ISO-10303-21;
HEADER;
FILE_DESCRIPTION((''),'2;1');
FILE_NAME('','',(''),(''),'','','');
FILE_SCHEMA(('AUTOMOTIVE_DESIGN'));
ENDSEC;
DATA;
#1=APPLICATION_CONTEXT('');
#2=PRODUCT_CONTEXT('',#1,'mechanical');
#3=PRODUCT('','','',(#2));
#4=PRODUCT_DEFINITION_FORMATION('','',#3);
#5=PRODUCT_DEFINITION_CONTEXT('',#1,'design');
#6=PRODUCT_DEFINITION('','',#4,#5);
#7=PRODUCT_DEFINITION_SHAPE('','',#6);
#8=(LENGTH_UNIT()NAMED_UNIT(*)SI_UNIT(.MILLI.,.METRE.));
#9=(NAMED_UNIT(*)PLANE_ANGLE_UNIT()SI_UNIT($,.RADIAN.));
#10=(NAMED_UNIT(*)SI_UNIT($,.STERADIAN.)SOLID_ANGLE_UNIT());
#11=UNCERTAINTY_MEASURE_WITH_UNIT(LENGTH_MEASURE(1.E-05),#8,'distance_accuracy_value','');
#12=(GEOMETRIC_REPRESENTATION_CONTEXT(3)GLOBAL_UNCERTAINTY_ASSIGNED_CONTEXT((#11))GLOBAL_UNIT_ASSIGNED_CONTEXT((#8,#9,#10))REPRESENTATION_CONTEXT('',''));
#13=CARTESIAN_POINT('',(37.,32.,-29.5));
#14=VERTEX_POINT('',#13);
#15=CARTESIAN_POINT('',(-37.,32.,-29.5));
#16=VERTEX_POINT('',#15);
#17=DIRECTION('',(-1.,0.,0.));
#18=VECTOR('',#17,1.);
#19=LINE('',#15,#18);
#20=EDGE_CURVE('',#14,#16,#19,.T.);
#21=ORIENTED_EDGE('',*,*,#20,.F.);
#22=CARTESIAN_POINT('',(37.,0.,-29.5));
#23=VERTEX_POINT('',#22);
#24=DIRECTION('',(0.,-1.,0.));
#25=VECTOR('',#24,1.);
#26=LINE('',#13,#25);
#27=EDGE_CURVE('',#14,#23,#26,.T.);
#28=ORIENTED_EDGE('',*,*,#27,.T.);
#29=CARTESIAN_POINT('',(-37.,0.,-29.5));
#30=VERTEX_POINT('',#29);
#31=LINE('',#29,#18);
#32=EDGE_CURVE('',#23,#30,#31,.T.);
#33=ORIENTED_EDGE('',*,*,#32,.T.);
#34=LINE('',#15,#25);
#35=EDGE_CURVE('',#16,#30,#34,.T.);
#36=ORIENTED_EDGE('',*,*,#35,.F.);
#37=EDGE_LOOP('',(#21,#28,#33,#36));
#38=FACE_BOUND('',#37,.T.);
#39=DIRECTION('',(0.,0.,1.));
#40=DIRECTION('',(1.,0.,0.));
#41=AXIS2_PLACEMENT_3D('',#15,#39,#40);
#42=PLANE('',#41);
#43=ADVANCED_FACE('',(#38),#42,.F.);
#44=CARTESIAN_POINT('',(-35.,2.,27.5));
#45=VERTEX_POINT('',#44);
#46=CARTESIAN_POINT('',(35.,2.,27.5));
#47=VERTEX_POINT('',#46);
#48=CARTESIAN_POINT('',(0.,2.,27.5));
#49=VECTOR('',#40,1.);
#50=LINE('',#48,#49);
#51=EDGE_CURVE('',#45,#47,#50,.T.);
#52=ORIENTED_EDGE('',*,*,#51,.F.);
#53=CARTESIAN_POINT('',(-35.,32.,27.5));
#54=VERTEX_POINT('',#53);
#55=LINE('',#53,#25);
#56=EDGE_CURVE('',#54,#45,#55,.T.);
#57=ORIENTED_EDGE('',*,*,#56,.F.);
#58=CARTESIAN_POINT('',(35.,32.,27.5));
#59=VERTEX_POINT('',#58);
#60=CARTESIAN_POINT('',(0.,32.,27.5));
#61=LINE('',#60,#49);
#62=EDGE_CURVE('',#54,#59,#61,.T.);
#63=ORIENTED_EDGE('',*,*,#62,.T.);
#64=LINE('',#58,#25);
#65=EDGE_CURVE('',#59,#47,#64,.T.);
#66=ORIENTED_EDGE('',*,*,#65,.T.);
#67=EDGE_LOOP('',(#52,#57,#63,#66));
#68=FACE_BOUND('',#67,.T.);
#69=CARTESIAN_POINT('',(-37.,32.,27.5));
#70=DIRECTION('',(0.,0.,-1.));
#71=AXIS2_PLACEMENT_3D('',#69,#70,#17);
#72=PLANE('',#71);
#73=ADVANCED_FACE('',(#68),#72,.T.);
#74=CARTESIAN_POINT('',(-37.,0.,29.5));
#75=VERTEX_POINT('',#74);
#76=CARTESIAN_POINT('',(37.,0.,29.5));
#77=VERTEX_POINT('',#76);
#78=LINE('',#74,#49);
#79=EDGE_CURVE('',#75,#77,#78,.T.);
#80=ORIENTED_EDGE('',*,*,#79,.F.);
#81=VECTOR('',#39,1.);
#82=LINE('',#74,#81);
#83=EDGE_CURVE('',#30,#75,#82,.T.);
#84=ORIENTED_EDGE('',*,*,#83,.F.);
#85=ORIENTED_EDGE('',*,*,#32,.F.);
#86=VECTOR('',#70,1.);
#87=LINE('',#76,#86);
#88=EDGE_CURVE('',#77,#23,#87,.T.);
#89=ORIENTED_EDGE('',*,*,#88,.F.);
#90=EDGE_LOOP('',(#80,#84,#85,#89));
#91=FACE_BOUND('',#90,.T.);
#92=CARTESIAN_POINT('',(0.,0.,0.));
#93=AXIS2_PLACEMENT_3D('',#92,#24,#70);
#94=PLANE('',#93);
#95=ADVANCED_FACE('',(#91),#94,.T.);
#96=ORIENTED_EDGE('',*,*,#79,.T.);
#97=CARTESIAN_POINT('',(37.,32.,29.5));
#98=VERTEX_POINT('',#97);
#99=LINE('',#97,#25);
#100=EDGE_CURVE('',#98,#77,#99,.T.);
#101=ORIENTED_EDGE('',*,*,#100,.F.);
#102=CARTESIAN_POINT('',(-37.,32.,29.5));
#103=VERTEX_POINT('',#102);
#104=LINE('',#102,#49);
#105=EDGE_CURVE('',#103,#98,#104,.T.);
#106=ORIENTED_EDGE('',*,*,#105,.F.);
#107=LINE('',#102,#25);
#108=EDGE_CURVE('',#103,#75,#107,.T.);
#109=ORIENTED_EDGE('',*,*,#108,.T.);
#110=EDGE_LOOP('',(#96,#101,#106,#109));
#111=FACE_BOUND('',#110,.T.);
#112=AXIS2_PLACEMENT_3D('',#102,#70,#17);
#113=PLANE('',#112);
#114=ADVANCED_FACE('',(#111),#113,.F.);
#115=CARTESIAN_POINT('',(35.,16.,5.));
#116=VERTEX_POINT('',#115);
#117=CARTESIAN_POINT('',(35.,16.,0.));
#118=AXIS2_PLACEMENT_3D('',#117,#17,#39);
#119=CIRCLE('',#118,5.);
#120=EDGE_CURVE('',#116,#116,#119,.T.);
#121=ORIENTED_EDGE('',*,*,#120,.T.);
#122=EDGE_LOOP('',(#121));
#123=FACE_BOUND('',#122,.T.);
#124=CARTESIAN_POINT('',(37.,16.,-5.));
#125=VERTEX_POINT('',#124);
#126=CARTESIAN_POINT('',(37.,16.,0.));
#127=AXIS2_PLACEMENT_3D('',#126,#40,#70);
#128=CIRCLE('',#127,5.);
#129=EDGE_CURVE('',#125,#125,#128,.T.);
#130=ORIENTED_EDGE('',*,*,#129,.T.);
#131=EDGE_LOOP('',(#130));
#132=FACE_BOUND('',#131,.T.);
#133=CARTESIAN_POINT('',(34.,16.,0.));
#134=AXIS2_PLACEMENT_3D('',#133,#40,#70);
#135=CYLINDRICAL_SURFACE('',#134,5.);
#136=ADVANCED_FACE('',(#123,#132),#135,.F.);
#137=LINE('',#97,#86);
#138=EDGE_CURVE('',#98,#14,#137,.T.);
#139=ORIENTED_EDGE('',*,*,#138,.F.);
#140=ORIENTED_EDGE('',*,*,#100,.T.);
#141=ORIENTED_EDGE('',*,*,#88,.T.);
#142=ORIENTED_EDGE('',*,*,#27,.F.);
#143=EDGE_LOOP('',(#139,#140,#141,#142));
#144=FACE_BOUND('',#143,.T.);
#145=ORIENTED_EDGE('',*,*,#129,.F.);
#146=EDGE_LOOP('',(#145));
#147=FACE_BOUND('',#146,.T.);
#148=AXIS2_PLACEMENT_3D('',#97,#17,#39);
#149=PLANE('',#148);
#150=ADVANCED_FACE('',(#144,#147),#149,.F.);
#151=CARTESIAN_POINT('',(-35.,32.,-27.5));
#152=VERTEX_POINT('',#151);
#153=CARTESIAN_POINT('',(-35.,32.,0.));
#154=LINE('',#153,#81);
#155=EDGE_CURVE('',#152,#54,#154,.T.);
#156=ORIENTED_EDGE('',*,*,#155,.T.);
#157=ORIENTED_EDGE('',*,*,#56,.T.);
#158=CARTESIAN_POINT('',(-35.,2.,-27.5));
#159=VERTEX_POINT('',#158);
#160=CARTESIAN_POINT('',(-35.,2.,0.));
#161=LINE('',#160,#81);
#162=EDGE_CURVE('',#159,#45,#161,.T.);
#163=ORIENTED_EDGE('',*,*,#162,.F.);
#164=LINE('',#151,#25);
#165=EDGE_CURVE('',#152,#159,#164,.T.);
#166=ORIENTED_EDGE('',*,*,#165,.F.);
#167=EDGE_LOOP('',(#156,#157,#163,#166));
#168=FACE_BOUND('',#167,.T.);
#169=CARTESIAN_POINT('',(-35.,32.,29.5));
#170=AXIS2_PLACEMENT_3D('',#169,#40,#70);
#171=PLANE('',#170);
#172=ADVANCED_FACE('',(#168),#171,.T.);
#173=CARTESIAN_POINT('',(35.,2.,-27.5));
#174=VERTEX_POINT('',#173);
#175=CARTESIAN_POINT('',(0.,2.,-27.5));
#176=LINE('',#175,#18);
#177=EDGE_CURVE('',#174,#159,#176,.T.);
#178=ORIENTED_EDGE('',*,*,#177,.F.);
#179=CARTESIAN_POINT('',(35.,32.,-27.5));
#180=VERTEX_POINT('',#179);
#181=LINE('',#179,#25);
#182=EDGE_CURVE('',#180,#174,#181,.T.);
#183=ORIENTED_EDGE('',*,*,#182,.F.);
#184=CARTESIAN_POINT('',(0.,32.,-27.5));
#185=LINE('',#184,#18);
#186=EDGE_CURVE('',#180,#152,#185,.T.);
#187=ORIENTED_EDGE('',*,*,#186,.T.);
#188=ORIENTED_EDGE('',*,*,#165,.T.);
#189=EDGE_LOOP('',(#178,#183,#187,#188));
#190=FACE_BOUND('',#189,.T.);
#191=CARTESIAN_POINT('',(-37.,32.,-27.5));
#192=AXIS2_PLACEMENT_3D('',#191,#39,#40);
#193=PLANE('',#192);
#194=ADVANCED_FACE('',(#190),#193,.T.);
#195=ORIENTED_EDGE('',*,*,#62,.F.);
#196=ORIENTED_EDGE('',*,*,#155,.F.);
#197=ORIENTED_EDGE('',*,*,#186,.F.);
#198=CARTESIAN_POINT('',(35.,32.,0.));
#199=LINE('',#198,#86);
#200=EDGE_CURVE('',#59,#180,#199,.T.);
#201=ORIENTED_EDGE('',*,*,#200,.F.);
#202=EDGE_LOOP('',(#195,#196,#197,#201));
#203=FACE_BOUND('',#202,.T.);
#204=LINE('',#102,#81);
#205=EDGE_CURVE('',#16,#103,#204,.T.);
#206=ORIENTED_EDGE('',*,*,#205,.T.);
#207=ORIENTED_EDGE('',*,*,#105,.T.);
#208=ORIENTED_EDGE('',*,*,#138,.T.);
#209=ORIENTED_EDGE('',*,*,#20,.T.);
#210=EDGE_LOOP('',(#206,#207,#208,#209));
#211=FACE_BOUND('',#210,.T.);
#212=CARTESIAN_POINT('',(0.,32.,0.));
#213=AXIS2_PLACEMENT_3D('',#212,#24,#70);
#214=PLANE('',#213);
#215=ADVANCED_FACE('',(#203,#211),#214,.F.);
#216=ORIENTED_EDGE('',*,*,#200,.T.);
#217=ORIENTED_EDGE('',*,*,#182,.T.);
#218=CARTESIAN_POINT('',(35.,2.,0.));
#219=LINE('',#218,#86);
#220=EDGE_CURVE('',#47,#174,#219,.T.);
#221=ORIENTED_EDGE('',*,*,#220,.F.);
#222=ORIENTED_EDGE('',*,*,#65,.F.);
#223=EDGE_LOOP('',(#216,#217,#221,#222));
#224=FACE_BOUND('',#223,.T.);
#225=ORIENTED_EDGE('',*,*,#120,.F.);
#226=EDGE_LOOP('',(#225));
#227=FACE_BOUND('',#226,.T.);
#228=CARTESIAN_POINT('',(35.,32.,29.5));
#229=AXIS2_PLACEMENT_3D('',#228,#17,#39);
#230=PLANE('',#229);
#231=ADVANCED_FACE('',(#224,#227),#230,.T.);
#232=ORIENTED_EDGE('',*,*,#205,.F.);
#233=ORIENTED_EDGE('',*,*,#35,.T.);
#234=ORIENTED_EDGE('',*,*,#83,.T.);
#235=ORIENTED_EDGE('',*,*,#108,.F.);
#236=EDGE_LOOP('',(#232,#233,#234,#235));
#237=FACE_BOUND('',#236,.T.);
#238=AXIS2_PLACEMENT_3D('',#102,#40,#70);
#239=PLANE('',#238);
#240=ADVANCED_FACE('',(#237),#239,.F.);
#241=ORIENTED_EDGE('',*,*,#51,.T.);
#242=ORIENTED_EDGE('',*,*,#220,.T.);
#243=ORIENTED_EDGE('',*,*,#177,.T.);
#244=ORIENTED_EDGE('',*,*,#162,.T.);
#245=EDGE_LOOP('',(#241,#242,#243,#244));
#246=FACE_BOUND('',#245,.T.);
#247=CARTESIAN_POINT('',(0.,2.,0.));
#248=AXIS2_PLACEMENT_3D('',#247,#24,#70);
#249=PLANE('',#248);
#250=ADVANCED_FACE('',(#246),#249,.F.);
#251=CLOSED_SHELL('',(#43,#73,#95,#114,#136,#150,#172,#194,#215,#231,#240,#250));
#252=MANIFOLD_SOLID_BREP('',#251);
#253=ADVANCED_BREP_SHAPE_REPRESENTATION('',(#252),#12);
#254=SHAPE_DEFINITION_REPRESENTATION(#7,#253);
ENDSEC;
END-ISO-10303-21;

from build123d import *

# Parameters (mm, degrees)
SKETCH1_W           = 74
SKETCH1_H           = 59
BOSS_EXTRUDE1_DEPTH = 32
SHELL1_T            = -2
SKETCH2_R           = 5
CUT_EXTRUDE1_DEPTH  = 3


with BuildPart() as part:
    # Sketch1 → Boss-Extrude1 (new body)
    with BuildSketch(Plane(origin=(0, 0, 0), x_dir=(1, 0, 0), z_dir=(0, 1, 0))):
        Rectangle(SKETCH1_W, SKETCH1_H)
    extrude(amount=BOSS_EXTRUDE1_DEPTH)

    # Shell1
    shell1_openings = [part.faces().sort_by_distance(p)[0] for p in [
        (0, 32, 0),
    ]]
    offset(amount=SHELL1_T, openings=shell1_openings, kind=Kind.INTERSECTION)

    # Sketch2 → Cut-Extrude1 (cut)
    with BuildSketch(Plane(origin=(37, 0, 0), x_dir=(0, 0, -1), z_dir=(1, 0, 0))):
        with Locations((0, 16)):
            Circle(SKETCH2_R)
    extrude(amount=-CUT_EXTRUDE1_DEPTH, mode=Mode.SUBTRACT)


solid = part.part
